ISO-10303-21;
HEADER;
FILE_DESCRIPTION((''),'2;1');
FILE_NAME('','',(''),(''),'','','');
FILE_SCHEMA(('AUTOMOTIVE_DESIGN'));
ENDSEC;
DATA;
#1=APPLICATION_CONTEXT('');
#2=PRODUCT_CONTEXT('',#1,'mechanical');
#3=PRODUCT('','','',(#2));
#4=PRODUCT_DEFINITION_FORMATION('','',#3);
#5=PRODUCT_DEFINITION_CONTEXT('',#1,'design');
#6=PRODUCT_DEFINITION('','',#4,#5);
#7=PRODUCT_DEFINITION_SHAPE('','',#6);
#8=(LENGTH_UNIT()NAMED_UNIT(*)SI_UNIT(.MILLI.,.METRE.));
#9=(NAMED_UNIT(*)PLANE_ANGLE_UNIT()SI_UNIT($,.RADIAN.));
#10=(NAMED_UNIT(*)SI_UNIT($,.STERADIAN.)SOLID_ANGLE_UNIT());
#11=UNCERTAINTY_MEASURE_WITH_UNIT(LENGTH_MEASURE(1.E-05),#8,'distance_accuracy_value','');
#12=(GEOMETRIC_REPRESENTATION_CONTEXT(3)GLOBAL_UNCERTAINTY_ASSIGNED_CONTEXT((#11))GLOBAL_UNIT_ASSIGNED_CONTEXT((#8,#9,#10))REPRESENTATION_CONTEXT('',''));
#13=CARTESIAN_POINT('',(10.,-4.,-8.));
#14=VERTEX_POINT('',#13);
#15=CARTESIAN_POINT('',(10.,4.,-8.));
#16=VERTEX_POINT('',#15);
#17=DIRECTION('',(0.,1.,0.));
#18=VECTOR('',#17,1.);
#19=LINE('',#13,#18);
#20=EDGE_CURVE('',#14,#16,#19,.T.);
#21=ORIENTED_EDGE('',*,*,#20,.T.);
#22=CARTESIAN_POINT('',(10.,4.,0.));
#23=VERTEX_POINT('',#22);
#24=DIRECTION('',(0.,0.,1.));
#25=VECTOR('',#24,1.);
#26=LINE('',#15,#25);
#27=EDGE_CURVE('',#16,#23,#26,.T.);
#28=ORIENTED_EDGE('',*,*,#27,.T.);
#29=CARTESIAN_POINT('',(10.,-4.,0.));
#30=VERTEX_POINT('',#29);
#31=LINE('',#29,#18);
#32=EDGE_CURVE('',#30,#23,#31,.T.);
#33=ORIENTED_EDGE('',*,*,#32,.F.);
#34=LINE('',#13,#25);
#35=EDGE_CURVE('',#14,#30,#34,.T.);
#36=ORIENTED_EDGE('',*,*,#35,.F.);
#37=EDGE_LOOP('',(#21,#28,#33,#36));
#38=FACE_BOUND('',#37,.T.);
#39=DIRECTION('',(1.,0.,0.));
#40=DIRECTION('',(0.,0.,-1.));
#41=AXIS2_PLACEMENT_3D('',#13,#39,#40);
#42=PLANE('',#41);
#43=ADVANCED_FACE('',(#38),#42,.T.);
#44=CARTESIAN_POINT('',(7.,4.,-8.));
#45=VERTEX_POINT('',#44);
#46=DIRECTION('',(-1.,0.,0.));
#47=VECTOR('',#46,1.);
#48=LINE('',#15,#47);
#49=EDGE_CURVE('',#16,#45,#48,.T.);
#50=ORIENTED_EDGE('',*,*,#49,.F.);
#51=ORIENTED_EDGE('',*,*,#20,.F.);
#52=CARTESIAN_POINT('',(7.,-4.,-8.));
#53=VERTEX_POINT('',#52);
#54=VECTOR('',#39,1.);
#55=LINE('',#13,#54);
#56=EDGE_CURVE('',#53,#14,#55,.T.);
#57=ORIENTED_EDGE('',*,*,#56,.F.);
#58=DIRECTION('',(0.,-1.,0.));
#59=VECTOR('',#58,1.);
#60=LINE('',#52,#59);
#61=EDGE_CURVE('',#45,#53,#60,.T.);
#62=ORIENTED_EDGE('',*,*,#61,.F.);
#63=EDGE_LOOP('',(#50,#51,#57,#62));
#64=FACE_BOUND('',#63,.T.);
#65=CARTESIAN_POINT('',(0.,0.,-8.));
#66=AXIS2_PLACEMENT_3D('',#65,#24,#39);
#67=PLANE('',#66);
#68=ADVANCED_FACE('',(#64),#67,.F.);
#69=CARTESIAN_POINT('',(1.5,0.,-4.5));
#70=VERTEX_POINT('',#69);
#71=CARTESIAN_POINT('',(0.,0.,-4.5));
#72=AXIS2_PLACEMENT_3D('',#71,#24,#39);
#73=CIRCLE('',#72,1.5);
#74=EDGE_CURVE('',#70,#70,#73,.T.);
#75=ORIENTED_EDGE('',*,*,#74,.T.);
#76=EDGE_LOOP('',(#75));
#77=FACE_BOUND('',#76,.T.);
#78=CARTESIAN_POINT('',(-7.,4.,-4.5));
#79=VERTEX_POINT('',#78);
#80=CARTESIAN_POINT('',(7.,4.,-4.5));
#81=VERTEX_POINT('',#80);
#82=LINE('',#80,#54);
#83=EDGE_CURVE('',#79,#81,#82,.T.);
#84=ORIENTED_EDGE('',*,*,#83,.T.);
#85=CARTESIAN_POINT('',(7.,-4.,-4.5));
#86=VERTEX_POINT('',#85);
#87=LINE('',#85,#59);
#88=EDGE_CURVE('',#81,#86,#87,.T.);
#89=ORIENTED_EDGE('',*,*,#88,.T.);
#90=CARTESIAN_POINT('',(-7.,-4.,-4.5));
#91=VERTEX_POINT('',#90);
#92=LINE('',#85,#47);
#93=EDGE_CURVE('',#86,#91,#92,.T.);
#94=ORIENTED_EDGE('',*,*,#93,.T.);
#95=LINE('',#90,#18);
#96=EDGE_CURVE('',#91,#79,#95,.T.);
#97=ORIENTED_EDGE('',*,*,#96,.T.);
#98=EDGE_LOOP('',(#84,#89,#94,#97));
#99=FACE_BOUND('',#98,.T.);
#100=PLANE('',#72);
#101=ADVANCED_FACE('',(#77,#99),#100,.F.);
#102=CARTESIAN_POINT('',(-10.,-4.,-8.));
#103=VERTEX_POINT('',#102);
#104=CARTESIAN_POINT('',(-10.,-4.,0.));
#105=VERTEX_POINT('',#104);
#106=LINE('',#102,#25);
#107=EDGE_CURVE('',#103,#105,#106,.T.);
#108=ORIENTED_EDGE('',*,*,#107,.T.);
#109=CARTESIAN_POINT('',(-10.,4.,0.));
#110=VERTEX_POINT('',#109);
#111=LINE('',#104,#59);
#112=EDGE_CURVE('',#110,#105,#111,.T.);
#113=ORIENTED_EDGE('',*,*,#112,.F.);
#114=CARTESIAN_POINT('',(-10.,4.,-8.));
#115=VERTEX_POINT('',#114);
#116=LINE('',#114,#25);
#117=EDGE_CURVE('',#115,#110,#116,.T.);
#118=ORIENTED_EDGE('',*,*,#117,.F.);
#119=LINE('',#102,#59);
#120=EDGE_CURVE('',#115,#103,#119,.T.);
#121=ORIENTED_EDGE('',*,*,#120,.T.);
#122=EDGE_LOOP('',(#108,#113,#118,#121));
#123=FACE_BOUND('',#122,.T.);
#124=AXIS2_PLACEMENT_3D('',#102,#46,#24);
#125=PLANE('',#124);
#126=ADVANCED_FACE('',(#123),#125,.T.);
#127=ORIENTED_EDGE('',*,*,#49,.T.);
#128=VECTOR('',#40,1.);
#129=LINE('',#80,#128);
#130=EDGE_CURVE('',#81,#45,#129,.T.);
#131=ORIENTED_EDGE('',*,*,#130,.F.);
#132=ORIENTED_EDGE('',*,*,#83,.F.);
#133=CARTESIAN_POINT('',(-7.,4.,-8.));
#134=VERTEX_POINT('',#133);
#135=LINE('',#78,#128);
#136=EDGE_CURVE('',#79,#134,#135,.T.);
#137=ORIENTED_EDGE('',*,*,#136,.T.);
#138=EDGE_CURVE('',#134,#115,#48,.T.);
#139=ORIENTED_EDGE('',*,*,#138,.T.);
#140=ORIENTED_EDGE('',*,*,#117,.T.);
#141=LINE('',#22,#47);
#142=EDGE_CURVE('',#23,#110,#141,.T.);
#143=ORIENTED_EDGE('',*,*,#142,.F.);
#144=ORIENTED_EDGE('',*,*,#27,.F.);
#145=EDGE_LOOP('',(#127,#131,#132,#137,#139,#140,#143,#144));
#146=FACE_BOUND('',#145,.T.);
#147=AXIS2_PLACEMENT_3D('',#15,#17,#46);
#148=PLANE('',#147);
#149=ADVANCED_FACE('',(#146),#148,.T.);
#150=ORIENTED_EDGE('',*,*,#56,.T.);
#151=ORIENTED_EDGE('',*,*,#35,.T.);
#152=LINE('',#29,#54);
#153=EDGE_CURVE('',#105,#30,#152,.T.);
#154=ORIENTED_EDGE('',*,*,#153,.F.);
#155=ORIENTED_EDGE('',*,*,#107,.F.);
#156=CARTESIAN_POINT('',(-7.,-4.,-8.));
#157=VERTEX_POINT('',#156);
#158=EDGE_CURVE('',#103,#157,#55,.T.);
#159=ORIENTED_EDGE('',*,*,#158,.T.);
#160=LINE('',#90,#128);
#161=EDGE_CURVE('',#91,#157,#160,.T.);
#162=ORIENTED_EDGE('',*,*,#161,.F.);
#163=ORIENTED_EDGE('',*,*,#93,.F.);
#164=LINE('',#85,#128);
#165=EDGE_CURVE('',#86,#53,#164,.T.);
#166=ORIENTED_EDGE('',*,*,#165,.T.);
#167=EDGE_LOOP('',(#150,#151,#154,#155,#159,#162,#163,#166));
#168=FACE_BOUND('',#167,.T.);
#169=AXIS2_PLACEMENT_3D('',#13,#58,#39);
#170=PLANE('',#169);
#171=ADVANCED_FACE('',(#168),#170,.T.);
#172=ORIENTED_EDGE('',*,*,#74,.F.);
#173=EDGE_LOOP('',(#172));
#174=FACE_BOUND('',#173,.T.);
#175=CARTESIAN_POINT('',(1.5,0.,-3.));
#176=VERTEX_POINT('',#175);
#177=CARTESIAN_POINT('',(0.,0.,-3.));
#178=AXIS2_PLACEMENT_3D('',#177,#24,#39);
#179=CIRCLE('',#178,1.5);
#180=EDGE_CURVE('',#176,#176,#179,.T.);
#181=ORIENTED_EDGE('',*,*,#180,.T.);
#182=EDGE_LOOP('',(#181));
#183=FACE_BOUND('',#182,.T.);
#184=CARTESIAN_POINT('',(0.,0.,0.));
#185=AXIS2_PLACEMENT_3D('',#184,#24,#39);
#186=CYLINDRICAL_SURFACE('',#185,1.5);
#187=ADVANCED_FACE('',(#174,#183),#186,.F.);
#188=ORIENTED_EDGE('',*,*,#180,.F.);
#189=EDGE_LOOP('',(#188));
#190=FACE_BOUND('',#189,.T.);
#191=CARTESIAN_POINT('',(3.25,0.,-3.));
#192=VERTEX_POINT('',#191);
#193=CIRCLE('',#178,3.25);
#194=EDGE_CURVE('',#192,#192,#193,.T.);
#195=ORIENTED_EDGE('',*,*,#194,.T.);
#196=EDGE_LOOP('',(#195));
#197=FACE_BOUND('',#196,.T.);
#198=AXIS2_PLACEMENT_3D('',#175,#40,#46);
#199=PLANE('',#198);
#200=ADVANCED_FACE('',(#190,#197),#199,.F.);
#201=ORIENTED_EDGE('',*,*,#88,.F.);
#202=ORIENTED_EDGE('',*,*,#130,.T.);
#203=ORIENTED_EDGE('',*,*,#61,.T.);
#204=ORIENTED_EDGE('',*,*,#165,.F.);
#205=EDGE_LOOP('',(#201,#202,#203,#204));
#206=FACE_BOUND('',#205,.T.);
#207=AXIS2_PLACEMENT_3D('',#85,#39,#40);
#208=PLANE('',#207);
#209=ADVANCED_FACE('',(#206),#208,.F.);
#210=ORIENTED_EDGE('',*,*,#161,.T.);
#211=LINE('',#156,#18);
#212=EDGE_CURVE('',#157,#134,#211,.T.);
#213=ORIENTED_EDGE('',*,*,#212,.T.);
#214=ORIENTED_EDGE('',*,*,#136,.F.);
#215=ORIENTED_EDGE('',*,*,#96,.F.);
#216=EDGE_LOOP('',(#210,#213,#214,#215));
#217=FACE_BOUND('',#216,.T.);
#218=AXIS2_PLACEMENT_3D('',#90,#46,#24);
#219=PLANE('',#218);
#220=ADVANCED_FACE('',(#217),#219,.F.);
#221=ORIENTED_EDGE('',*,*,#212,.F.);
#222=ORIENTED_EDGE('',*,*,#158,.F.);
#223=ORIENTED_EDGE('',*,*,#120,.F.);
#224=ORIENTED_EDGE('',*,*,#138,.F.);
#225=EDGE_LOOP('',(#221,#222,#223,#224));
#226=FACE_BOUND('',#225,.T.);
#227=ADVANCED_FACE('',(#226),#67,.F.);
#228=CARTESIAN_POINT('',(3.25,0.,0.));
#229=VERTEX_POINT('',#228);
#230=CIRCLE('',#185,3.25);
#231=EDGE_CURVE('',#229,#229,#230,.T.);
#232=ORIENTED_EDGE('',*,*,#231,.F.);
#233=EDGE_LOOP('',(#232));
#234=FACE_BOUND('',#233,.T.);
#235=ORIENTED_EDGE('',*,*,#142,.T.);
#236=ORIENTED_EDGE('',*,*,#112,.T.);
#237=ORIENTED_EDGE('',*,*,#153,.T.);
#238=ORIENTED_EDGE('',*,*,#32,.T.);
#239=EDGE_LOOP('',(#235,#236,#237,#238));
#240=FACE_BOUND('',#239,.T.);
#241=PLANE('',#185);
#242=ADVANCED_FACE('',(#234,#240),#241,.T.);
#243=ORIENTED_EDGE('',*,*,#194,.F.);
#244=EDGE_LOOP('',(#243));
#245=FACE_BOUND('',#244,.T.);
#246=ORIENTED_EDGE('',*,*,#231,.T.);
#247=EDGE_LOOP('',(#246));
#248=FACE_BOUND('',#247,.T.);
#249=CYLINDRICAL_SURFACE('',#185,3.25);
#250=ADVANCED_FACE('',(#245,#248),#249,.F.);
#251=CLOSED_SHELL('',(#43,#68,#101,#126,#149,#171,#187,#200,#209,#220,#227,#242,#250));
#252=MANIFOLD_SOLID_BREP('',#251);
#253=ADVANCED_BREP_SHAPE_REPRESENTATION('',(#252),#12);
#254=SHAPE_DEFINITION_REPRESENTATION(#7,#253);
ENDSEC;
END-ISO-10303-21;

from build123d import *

# Parameters (mm, degrees)
SKETCH1_W                               = 20
SKETCH1_H                               = 8
EXTRUDE1_DEPTH                          = 8
SKETCH2_W                               = 14
SKETCH2_H                               = 8
EXTRUDE2_DEPTH                          = 3.5
CBORE_FOR_M5_HEX_HEAD_BOLT1_D           = 3
CBORE_FOR_M5_HEX_HEAD_BOLT1_CBORE_D     = 6.5
CBORE_FOR_M5_HEX_HEAD_BOLT1_CBORE_DEPTH = 3


with BuildPart() as part:
    # Sketch1 → Extrude1 (new body)
    with BuildSketch(Plane.XY):
        Rectangle(SKETCH1_W, SKETCH1_H)
    extrude(amount=-EXTRUDE1_DEPTH)

    # Sketch2 → Extrude2 (cut)
    with BuildSketch(Plane(origin=(0, 0, -8), x_dir=(-1, 0, 0), z_dir=(0, 0, -1))):
        Rectangle(SKETCH2_W, SKETCH2_H)
    extrude(amount=-EXTRUDE2_DEPTH, mode=Mode.SUBTRACT)

    # CBORE for M5 Hex Head Bolt1 (through all)
    with Locations(Plane.XY):
        with Locations((0, 0)):
            CounterBoreHole(CBORE_FOR_M5_HEX_HEAD_BOLT1_D / 2, CBORE_FOR_M5_HEX_HEAD_BOLT1_CBORE_D / 2, CBORE_FOR_M5_HEX_HEAD_BOLT1_CBORE_DEPTH)


solid = part.part
